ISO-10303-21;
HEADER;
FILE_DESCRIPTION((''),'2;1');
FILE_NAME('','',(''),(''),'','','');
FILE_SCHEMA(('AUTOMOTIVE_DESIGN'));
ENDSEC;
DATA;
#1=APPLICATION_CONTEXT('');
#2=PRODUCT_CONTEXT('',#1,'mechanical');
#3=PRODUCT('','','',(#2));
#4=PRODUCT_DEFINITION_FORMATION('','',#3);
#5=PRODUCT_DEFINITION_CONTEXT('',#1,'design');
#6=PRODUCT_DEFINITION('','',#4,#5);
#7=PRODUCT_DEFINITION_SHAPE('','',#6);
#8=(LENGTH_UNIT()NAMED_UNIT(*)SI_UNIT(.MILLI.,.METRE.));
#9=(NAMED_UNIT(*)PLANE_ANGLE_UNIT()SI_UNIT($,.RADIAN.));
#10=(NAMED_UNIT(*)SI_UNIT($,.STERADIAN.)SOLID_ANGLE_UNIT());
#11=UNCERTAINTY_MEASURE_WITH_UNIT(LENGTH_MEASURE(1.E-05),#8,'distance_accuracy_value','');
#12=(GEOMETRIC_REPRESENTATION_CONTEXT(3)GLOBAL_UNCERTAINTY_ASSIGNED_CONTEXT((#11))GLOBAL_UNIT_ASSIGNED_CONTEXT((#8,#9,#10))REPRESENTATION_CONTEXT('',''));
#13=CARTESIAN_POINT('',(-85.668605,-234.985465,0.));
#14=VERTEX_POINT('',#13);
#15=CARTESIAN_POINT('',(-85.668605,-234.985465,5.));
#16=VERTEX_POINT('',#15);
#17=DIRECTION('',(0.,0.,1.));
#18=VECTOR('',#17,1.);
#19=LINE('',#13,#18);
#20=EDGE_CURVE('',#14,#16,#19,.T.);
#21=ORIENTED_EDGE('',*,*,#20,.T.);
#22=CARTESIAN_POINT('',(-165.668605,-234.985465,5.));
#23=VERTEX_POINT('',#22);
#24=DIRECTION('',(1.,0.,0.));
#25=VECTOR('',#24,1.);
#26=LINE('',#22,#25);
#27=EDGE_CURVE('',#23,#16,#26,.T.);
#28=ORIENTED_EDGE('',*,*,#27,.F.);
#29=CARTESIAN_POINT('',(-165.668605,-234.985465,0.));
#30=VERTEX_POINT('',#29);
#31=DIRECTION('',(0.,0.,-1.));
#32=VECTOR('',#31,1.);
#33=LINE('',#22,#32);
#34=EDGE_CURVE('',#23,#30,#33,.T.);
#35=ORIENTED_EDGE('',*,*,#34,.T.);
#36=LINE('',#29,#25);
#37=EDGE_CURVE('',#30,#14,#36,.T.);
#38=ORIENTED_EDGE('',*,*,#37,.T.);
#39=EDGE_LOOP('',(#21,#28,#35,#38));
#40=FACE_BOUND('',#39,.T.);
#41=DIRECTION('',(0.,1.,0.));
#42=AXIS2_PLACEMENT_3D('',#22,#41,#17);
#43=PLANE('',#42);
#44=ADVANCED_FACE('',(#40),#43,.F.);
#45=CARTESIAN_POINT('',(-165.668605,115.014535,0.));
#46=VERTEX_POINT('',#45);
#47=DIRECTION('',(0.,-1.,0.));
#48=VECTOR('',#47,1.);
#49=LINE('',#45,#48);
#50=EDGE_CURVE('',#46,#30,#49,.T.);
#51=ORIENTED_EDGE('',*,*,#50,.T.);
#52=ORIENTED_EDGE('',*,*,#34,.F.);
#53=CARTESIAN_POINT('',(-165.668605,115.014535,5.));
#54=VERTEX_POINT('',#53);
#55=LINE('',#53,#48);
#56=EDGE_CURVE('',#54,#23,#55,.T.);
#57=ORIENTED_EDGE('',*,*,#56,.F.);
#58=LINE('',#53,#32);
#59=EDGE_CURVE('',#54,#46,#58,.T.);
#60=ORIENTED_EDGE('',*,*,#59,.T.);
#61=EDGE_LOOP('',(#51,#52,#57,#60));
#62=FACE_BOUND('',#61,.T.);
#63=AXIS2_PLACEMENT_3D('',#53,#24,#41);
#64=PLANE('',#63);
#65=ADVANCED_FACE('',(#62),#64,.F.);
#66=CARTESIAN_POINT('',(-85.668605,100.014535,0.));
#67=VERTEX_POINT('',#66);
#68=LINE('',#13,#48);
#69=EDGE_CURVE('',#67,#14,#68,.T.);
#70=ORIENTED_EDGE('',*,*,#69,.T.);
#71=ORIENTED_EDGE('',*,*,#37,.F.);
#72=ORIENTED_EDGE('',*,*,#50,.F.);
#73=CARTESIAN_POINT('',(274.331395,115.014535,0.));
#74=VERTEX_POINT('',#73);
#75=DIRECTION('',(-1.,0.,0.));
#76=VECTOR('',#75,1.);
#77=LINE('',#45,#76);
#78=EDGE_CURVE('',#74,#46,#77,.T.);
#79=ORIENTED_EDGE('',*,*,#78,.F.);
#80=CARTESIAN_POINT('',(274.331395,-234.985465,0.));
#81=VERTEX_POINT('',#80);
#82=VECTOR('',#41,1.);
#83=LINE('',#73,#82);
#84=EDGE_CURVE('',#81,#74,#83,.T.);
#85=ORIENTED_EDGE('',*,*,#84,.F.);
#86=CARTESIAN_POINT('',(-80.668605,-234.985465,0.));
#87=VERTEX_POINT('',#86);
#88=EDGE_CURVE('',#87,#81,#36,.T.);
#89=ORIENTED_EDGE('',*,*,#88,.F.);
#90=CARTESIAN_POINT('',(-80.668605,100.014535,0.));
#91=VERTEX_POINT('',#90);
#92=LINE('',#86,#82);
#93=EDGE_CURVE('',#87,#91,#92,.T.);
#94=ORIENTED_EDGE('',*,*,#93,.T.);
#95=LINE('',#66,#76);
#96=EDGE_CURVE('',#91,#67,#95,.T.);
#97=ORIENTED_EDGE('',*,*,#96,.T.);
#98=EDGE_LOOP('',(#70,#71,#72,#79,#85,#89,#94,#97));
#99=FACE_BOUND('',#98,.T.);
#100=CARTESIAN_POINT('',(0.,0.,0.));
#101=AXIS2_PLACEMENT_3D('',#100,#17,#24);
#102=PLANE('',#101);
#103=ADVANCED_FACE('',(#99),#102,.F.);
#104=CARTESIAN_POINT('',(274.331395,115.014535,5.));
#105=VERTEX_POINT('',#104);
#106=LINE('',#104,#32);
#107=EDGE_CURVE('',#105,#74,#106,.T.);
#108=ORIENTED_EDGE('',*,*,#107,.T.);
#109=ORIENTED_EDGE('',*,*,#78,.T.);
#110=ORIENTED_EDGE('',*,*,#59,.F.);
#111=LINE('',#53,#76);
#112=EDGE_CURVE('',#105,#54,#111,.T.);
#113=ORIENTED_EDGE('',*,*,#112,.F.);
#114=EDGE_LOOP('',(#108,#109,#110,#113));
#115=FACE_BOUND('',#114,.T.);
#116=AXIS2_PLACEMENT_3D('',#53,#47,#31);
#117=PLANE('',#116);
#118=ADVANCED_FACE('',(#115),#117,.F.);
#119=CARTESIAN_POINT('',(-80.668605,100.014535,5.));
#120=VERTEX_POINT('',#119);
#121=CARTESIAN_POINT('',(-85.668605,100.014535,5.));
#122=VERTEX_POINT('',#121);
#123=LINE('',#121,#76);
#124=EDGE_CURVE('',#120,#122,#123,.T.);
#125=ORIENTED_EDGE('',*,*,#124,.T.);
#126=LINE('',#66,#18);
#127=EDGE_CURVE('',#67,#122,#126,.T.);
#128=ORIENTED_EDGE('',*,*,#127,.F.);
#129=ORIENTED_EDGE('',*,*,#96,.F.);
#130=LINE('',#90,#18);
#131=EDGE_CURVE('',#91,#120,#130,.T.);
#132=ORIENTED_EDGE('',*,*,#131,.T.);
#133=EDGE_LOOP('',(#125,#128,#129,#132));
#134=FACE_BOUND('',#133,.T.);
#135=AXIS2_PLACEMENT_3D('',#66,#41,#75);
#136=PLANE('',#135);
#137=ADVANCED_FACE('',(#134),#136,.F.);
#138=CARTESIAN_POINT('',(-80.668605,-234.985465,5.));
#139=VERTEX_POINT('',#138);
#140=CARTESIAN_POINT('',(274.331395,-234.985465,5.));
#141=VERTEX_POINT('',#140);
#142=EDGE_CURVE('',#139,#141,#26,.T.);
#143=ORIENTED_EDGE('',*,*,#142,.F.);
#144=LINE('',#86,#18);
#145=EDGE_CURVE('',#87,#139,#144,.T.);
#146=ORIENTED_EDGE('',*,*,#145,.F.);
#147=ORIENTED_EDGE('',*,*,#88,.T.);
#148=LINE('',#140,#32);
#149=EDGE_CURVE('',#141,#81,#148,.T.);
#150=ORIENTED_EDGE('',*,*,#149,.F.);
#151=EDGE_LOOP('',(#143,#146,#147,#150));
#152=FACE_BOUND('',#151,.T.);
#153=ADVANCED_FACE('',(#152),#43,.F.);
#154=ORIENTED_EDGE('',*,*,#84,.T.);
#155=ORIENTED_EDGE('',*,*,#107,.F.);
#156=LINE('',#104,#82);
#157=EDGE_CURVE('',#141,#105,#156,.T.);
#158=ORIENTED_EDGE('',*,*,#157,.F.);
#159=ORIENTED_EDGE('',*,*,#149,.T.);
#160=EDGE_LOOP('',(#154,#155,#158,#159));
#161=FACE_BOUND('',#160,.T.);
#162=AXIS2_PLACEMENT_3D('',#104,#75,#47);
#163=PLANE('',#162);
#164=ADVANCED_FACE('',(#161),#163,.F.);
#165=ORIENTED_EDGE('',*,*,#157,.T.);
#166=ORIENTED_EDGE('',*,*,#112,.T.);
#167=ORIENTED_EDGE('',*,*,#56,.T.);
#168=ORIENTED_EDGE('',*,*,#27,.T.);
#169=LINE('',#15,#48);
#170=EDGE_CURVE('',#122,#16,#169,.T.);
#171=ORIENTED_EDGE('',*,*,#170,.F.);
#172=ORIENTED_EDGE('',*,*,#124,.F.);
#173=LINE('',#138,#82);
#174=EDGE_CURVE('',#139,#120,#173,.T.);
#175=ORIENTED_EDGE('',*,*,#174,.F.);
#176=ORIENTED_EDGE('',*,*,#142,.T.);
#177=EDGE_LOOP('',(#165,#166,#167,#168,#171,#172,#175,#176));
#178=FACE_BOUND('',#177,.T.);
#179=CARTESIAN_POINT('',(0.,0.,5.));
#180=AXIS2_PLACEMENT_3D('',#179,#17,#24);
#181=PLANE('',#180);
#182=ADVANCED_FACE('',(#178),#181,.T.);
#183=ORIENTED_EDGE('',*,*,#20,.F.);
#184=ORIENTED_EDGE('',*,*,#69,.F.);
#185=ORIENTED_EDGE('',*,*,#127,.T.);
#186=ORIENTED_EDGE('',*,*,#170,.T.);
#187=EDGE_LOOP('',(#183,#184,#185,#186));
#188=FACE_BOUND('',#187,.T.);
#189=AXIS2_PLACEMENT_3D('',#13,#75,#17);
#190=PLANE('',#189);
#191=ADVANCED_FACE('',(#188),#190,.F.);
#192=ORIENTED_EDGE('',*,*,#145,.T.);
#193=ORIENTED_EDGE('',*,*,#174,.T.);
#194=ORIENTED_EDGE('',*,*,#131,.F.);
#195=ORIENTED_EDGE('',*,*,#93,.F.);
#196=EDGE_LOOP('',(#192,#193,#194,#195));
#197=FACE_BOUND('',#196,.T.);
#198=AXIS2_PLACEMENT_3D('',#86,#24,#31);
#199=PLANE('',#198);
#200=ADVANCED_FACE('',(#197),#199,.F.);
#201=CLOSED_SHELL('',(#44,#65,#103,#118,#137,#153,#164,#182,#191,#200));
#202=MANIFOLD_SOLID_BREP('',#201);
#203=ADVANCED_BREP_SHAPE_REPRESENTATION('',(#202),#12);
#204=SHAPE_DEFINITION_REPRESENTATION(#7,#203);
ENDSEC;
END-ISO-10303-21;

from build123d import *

# Parameters (mm, degrees)
CROQUIS1_W              = 440
CROQUIS1_H              = 350
SALIENTE_EXTRUIR1_DEPTH = 5
CROQUIS2_W              = 5
CROQUIS2_H              = 335
CORTAR_EXTRUIR1_DEPTH   = 5


with BuildPart() as part:
    # Croquis1 → Saliente-Extruir1 (new body)
    with BuildSketch(Plane.XY):
        with Locations((54.331395349, -59.985465116)):
            Rectangle(CROQUIS1_W, CROQUIS1_H)
    extrude(amount=SALIENTE_EXTRUIR1_DEPTH)

    # Croquis2 → Cortar-Extruir1 (cut)
    with BuildSketch(Plane.XY.offset(5)):
        with Locations((-83.168604651, -67.485465116)):
            Rectangle(CROQUIS2_W, CROQUIS2_H)
    extrude(amount=-CORTAR_EXTRUIR1_DEPTH, mode=Mode.SUBTRACT)


solid = part.part
